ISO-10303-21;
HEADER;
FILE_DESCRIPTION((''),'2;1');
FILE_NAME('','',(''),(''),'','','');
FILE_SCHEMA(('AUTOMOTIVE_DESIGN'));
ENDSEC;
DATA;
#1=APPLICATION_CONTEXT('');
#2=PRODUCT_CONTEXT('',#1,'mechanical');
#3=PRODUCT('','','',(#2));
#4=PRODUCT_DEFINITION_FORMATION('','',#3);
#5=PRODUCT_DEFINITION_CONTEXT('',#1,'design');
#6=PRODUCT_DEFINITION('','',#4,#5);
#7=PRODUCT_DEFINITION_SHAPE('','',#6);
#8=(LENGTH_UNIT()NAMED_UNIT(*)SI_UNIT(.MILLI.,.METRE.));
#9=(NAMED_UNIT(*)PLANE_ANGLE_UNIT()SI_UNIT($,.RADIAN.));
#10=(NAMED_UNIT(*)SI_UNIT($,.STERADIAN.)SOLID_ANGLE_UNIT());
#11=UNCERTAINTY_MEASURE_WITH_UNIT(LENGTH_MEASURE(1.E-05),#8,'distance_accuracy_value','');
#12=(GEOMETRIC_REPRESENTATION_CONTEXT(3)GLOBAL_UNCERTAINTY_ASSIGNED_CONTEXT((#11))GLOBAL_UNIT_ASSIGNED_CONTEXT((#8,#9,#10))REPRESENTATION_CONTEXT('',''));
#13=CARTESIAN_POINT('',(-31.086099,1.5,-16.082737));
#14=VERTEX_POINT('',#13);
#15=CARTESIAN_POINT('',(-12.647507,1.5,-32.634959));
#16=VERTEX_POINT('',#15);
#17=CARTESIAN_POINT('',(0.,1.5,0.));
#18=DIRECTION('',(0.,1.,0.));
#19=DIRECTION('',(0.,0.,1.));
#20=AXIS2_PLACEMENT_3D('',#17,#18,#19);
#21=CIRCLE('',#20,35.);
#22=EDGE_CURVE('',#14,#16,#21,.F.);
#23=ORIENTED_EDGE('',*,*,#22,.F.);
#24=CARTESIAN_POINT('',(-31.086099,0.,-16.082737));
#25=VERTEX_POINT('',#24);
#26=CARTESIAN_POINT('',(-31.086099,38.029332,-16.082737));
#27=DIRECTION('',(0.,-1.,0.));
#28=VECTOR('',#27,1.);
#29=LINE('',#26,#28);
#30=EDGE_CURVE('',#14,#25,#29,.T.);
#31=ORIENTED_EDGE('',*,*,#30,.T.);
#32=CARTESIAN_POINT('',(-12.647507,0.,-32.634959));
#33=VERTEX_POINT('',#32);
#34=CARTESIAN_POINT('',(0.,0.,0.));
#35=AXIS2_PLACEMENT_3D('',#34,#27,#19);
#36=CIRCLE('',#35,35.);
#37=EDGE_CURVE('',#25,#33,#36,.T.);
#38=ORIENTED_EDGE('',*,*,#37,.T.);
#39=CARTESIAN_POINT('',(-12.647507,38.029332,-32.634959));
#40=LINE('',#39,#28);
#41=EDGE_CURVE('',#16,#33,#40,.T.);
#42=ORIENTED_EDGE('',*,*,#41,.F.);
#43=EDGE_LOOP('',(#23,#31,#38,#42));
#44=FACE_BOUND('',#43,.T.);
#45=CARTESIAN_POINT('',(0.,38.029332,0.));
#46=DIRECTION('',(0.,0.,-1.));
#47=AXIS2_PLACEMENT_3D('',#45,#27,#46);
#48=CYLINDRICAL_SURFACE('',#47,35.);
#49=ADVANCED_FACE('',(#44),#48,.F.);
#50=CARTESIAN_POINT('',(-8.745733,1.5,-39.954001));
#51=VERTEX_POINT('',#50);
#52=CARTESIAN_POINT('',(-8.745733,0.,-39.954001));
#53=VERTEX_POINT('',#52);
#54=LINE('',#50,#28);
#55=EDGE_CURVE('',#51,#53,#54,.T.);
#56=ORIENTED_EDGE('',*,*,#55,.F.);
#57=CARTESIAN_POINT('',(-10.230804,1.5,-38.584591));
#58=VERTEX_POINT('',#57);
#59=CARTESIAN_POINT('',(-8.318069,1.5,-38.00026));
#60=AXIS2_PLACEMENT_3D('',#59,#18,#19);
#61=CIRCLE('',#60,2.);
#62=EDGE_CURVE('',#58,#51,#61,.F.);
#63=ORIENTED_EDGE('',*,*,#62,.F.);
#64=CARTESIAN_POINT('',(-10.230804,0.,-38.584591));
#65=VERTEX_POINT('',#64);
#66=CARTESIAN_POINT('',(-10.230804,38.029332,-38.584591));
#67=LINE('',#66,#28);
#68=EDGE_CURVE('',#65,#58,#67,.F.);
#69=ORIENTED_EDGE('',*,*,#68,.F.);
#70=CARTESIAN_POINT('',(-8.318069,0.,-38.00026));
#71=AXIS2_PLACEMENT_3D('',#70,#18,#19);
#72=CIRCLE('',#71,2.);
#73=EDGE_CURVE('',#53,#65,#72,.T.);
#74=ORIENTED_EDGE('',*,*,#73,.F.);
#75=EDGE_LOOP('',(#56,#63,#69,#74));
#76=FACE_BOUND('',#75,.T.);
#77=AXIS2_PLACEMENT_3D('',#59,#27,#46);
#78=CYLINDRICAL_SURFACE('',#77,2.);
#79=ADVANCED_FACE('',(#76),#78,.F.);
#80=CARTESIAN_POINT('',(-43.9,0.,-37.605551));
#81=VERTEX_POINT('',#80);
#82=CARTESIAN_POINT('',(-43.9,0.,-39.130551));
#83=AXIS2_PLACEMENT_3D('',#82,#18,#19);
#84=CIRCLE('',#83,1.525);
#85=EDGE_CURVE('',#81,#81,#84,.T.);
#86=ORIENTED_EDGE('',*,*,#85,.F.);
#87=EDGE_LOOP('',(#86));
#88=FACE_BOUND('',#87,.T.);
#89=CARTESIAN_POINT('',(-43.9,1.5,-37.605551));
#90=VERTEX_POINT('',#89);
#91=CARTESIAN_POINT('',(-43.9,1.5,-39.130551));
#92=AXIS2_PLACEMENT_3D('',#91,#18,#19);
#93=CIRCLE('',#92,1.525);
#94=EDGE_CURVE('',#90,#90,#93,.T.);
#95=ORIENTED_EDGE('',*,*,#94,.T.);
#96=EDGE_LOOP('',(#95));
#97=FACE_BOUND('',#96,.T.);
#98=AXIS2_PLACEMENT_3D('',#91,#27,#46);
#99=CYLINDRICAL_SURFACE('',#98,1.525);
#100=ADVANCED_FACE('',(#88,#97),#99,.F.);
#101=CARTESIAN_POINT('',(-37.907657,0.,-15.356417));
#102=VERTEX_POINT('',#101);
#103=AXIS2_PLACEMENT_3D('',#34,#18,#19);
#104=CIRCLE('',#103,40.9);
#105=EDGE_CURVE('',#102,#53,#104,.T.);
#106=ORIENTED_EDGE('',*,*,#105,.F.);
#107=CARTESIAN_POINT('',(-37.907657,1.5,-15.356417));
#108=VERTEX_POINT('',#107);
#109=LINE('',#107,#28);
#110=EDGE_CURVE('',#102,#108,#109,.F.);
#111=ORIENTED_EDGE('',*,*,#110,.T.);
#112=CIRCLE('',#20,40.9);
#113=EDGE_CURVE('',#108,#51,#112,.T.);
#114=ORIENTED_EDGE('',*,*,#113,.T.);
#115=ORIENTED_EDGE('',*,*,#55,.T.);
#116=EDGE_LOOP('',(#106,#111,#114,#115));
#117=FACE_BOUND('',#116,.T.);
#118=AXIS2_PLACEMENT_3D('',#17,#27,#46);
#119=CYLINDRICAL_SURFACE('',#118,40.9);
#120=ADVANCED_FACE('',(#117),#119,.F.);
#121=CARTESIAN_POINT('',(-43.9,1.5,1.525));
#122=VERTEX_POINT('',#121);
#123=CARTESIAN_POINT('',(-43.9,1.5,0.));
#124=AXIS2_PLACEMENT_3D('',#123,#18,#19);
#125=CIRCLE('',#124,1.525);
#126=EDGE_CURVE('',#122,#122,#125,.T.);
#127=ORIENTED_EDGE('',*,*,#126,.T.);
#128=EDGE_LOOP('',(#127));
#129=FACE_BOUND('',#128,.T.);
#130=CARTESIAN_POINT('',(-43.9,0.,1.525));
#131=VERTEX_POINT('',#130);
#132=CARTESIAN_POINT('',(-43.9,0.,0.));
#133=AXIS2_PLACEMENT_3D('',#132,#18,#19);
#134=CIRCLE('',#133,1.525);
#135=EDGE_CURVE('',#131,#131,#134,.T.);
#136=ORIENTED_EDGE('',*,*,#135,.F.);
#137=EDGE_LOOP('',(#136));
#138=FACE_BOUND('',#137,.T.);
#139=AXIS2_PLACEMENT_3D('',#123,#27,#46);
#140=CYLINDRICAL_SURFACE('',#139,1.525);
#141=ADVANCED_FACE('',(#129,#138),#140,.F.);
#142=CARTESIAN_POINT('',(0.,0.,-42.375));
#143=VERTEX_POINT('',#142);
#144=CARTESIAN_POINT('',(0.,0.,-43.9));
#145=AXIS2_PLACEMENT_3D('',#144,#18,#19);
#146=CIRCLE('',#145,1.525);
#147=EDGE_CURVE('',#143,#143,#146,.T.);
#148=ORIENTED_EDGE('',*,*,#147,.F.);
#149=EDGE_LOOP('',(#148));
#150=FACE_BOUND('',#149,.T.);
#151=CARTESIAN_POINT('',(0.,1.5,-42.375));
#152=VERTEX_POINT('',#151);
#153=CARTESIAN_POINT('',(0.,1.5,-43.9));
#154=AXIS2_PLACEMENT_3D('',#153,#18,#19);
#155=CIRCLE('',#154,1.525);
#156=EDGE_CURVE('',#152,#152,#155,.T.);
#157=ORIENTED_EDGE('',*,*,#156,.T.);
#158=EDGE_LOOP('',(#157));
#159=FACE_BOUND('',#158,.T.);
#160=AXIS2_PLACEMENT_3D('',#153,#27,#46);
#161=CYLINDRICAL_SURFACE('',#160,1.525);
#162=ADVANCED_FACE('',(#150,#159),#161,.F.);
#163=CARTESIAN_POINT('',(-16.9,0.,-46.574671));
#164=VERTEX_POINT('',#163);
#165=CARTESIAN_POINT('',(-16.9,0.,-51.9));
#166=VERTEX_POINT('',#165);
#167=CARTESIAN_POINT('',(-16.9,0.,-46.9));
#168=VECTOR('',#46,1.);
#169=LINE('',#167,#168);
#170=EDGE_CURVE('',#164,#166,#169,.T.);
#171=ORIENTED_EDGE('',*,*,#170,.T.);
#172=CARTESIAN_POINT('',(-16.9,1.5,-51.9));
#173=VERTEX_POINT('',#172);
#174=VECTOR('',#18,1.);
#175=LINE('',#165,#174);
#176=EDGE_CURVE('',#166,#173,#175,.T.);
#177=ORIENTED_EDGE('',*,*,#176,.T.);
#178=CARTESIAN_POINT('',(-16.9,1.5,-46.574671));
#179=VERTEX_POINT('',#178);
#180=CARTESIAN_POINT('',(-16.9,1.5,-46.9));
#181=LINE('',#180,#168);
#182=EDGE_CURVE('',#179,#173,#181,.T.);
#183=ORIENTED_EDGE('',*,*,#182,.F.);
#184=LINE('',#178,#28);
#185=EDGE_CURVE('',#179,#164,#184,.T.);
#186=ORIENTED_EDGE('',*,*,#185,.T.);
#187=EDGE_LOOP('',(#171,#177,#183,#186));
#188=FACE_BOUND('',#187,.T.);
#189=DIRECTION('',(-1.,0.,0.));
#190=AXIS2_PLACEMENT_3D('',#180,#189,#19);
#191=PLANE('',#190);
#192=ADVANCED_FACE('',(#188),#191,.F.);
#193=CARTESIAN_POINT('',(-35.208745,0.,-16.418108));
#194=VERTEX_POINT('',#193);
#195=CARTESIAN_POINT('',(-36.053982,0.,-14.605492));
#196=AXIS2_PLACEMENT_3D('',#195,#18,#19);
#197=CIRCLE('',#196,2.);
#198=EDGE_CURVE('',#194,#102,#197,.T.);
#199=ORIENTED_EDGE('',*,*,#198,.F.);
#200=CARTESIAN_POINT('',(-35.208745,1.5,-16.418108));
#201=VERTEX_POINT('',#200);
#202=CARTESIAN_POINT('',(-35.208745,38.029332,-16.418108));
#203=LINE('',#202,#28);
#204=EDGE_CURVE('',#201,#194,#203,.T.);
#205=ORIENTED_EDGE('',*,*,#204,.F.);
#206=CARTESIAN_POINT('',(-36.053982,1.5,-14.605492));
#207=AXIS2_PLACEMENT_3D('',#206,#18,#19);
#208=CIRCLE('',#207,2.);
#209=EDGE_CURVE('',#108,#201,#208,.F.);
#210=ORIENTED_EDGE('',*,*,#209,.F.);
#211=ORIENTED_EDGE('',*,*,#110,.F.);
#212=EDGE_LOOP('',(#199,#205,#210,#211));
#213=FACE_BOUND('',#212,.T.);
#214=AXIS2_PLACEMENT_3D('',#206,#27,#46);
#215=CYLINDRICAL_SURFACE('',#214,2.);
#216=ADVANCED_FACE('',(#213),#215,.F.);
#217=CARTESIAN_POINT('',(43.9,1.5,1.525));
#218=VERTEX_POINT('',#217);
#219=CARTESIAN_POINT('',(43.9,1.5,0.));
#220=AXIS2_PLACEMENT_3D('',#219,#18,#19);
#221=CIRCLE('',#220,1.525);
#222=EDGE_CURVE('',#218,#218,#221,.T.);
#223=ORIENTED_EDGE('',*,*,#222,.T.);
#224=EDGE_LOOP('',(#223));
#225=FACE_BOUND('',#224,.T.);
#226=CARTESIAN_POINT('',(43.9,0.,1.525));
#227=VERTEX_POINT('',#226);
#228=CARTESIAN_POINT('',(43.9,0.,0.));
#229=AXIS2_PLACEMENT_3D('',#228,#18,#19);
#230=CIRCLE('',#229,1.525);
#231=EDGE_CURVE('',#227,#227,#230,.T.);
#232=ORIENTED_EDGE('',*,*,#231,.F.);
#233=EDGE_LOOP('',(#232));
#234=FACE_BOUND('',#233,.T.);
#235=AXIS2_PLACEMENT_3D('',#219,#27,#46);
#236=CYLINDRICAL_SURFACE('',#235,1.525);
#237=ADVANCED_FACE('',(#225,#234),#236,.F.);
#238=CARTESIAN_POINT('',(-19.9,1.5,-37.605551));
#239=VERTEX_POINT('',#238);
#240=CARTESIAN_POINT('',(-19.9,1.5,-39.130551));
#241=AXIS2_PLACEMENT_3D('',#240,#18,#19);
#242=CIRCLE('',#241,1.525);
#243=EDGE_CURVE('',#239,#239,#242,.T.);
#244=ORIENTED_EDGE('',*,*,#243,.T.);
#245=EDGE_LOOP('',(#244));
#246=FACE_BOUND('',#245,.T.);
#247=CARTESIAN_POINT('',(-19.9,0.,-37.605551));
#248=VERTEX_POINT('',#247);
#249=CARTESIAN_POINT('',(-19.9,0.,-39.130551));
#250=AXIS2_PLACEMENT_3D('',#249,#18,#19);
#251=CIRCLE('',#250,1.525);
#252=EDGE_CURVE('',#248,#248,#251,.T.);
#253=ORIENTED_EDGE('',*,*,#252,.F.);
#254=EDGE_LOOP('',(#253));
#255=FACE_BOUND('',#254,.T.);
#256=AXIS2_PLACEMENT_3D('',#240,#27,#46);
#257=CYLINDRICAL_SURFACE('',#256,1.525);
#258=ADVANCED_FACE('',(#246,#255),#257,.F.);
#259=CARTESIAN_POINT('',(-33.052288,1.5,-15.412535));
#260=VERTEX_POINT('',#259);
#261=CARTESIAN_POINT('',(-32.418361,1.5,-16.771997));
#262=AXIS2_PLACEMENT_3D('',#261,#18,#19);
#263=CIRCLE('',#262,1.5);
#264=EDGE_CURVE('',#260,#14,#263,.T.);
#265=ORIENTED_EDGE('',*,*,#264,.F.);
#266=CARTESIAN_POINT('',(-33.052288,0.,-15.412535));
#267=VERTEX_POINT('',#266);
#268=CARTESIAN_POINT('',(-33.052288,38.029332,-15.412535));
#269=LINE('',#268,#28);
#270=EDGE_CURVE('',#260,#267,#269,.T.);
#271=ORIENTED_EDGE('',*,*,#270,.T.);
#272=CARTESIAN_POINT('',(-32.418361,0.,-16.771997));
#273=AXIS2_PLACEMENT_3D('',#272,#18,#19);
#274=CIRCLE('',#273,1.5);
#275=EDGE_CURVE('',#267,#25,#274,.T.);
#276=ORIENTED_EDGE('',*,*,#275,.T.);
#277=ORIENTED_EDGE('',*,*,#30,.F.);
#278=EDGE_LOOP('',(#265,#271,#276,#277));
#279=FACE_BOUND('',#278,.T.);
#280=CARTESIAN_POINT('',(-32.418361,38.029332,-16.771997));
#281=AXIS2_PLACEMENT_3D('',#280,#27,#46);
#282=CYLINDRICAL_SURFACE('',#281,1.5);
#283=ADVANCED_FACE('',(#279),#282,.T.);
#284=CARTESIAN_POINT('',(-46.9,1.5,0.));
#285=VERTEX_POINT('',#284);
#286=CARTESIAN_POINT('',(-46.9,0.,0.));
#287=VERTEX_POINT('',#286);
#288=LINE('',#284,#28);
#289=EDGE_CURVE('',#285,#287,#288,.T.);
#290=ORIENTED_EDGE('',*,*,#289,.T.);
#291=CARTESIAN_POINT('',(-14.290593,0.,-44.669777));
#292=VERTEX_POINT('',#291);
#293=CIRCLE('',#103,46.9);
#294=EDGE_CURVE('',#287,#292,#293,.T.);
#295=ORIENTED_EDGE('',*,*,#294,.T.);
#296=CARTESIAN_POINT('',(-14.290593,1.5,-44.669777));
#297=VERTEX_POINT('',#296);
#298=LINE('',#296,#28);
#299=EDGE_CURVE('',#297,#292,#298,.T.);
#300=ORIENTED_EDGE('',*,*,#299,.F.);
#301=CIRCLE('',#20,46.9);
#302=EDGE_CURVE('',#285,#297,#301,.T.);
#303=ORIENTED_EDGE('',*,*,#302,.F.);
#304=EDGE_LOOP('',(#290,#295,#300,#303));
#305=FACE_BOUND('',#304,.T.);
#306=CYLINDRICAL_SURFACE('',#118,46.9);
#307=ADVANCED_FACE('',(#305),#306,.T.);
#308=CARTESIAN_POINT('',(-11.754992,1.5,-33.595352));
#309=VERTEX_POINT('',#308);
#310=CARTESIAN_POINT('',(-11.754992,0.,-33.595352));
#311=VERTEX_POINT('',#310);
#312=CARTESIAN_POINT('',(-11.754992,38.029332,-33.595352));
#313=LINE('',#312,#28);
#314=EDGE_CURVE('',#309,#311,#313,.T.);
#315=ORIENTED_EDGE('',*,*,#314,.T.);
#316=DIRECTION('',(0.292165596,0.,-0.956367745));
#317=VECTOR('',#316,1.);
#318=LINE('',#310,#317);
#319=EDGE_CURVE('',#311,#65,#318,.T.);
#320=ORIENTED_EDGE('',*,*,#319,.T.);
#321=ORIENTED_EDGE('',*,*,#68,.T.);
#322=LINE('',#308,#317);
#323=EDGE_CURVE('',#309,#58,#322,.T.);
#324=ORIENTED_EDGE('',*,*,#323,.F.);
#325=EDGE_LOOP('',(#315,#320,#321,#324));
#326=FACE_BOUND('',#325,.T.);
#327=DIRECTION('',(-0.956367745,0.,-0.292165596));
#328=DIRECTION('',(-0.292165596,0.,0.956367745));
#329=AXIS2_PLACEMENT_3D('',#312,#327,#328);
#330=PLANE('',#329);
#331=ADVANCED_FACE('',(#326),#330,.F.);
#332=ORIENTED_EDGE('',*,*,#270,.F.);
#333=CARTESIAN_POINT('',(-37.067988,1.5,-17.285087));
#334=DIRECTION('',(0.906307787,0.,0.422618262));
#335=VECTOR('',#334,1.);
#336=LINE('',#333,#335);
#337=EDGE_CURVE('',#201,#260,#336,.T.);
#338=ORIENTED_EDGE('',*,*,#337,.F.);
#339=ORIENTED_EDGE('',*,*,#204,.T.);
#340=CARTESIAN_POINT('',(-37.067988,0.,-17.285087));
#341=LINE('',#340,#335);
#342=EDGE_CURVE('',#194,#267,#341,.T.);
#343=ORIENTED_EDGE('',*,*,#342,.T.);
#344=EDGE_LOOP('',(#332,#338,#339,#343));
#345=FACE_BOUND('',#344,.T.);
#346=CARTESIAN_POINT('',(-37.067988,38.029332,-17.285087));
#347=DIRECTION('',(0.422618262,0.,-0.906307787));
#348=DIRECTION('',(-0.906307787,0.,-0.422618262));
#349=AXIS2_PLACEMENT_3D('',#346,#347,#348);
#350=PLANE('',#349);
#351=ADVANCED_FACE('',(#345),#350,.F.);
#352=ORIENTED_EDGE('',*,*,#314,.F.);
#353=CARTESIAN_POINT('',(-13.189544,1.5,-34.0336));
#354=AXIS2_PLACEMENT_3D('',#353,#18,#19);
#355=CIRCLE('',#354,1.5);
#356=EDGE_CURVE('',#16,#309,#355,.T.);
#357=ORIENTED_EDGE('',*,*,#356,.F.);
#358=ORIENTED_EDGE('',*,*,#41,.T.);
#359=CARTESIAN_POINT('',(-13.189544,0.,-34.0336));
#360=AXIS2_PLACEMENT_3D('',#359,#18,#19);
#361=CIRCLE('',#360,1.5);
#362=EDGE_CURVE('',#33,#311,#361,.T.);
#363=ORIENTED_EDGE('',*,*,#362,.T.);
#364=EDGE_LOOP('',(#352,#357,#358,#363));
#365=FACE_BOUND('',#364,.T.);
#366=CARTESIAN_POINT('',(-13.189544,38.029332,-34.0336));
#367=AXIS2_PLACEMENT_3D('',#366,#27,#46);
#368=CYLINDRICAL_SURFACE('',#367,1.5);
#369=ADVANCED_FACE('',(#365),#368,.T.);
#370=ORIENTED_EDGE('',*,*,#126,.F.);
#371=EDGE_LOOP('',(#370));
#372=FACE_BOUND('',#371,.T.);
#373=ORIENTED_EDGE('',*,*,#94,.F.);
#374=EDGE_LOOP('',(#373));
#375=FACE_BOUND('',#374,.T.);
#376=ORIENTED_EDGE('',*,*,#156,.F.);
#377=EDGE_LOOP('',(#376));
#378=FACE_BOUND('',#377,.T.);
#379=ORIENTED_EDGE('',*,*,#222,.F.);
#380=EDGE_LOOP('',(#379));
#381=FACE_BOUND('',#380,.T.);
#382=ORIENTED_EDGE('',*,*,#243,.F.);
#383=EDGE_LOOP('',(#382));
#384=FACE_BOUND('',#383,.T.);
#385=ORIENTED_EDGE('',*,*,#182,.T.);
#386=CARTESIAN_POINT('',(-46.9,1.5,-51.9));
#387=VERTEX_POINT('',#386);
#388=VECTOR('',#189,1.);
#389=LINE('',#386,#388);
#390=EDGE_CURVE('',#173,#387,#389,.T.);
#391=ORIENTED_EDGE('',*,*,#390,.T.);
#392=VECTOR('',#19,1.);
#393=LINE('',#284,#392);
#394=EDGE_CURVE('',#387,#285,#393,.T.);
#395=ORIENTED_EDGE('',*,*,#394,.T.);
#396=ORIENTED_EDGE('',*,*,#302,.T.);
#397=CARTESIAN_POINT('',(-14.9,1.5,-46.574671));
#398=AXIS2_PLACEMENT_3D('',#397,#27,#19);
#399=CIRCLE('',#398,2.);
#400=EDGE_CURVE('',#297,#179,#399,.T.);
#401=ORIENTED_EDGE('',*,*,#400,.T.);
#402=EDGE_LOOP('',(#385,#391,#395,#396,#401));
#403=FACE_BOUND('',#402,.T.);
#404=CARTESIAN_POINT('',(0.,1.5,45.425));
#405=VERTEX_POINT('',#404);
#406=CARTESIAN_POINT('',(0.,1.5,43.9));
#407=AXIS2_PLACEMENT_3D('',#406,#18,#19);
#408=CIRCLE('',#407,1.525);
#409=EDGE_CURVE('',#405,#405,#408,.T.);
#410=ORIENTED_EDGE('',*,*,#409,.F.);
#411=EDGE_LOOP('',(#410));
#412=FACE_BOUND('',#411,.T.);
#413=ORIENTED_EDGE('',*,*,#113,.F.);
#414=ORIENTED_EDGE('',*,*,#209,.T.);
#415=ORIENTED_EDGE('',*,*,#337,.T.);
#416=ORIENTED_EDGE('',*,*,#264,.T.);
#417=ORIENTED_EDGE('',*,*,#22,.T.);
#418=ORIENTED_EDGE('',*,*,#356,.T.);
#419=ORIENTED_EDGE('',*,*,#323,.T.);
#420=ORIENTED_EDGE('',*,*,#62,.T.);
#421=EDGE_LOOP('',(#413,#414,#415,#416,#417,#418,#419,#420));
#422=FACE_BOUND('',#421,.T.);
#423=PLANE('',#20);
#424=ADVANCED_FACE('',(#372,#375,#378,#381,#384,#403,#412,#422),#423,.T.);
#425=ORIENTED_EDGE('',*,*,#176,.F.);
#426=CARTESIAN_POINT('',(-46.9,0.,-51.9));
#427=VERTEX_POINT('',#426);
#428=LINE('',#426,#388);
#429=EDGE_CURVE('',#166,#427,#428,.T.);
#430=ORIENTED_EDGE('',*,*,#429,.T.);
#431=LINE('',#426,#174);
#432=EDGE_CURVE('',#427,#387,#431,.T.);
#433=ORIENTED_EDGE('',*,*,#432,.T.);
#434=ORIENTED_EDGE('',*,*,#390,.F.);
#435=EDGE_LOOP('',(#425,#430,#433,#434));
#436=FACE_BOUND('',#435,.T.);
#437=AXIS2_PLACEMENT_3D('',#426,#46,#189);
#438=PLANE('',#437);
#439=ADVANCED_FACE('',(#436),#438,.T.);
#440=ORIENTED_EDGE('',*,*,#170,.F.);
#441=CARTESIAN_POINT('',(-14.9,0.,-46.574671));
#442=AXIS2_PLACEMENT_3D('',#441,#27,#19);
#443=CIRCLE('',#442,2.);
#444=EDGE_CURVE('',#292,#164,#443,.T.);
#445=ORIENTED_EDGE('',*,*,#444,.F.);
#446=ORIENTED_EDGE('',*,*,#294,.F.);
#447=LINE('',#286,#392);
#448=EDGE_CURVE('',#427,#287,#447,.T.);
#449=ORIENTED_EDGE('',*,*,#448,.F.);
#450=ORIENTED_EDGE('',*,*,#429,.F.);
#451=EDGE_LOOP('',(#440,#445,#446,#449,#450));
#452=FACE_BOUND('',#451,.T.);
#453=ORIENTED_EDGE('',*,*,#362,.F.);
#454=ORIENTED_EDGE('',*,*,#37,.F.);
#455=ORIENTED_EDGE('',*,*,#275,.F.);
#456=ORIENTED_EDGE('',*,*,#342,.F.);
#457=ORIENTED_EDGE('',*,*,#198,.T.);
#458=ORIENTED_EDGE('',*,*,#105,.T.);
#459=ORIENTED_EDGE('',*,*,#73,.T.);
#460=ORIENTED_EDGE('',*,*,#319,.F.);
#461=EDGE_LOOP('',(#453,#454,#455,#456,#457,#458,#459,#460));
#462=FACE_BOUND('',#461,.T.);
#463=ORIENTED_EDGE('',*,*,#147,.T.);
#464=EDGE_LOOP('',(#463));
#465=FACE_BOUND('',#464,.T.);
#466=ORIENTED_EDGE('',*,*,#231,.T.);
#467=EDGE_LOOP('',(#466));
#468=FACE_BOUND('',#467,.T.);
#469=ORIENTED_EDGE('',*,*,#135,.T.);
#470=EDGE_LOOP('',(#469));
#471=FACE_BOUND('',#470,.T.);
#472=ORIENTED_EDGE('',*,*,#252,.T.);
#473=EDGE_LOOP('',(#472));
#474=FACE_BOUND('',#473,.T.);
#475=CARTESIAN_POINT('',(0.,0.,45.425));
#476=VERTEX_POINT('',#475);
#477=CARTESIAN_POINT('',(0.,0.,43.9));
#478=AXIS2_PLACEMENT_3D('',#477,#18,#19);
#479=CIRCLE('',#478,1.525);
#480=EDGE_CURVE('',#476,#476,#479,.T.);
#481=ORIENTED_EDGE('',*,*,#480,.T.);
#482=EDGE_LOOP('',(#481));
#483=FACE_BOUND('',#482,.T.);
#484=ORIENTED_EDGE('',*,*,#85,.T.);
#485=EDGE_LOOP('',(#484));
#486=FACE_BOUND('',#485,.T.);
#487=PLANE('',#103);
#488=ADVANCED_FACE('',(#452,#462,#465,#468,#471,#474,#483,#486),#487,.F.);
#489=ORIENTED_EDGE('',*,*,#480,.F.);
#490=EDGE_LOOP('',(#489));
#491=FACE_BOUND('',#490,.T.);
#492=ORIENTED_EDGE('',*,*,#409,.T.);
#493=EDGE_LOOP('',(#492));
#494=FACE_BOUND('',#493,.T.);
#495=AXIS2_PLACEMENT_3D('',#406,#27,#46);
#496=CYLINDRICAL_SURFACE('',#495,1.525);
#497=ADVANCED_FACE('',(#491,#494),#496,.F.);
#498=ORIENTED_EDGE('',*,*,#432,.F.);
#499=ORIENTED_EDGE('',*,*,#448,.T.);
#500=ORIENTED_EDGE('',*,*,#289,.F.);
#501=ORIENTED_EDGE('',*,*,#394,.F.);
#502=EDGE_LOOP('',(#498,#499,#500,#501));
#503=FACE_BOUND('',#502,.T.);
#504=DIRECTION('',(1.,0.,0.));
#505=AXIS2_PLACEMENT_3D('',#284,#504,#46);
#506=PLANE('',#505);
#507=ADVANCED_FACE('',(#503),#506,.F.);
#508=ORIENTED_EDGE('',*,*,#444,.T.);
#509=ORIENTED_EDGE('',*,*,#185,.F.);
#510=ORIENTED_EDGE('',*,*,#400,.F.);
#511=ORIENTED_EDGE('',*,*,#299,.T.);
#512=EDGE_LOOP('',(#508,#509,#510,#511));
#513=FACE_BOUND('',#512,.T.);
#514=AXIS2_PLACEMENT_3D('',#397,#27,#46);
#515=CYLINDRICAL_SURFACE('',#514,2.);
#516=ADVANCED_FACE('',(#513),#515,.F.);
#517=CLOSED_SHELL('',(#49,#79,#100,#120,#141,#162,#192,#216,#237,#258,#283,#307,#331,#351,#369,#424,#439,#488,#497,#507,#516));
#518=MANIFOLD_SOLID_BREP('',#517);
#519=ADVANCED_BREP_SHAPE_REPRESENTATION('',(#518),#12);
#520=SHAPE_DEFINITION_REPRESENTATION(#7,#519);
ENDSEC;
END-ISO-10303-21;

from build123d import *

# Parameters (mm, degrees)
SKETCH_1_R      = 40.9
SKETCH_1_R_2    = 1.525
EXTRUDE_1_DEPTH = 1.5
EXTRUDE_3_DEPTH = 1.5
FILLET_1_R      = 2
SKETCH_3_W      = 30
SKETCH_3_H      = 5
EXTRUDE_4_DEPTH = 1.5


with BuildPart() as part:
    # 草图1 → 凸台-拉伸1 (new body)
    with BuildSketch(Plane(origin=(0, 0, 0), x_dir=(1, 0, 0), z_dir=(0, 1, 0))):
        with BuildLine():
            Line((-46.9, 0), (-46.9, 46.9))
            Line((-46.9, 46.9), (-16.9, 46.9))
            Line((-16.9, 46.9), (-16.9, 46.574671228))
            ThreePointArc((-16.9, 46.574671228), (-16.079234093, 44.95930534), (-14.290593047, 44.669776699))
            ThreePointArc((-14.290593047, 44.669776699), (37.88033008, -27.65303949), (-46.9, 0))
        make_face()
        Circle(SKETCH_1_R, mode=Mode.SUBTRACT)
        with Locations((-19.9, 39.130550724)):
            Circle(SKETCH_1_R_2, mode=Mode.SUBTRACT)
        with Locations((0, 43.9)):
            Circle(SKETCH_1_R_2, mode=Mode.SUBTRACT)
        with Locations((43.9, 0)):
            Circle(SKETCH_1_R_2, mode=Mode.SUBTRACT)
        with Locations((0, -43.9)):
            Circle(SKETCH_1_R_2, mode=Mode.SUBTRACT)
        with Locations((-43.9, 0)):
            Circle(SKETCH_1_R_2, mode=Mode.SUBTRACT)
        with Locations((-43.9, 39.130550724)):
            Circle(SKETCH_1_R_2, mode=Mode.SUBTRACT)
    extrude(amount=EXTRUDE_1_DEPTH)

    # 草图2 → 凸台-拉伸3 (add)
    with BuildSketch(Plane(origin=(0, 0, 0), x_dir=(1, 0, 0), z_dir=(0, 1, 0))):
        with BuildLine():
            Line((-37.06798849, 17.285086905), (-33.052288278, 15.412535144))
            ThreePointArc((-33.052288278, 15.412535144), (-31.934408281, 15.352211673), (-31.08609948, 16.082736681))
            ThreePointArc((-31.08609948, 16.082736681), (-23.380571231, 26.04513177), (-12.647507481, 32.634959086))
            ThreePointArc((-12.647507481, 32.634959086), (-12.090765455, 33.012479837), (-11.754991898, 33.595351795))
            Line((-11.754991898, 33.595351795), (-9.89460553, 39.685095205))
            ThreePointArc((-9.89460553, 39.685095205), (-26.015599209, 31.559445461), (-37.06798849, 17.285086905))
        make_face()
    extrude(amount=EXTRUDE_3_DEPTH)

    # 圆角1
    fillet_1_edges = [part.edges().sort_by_distance(p)[0] for p in [
        (-9.89460553, 0.75, -39.685095205),
        (-37.06798849, 0.75, -17.285086905),
    ]]
    fillet(fillet_1_edges, radius=FILLET_1_R)

    # 草图3 → 凸台-拉伸4 (add)
    with BuildSketch(Plane(origin=(0, 1.5, 0), x_dir=(1, 0, 0), z_dir=(0, 1, 0))):
        with Locations((-31.9, 49.4)):
            Rectangle(SKETCH_3_W, SKETCH_3_H)
    extrude(amount=-EXTRUDE_4_DEPTH)


solid = part.part
